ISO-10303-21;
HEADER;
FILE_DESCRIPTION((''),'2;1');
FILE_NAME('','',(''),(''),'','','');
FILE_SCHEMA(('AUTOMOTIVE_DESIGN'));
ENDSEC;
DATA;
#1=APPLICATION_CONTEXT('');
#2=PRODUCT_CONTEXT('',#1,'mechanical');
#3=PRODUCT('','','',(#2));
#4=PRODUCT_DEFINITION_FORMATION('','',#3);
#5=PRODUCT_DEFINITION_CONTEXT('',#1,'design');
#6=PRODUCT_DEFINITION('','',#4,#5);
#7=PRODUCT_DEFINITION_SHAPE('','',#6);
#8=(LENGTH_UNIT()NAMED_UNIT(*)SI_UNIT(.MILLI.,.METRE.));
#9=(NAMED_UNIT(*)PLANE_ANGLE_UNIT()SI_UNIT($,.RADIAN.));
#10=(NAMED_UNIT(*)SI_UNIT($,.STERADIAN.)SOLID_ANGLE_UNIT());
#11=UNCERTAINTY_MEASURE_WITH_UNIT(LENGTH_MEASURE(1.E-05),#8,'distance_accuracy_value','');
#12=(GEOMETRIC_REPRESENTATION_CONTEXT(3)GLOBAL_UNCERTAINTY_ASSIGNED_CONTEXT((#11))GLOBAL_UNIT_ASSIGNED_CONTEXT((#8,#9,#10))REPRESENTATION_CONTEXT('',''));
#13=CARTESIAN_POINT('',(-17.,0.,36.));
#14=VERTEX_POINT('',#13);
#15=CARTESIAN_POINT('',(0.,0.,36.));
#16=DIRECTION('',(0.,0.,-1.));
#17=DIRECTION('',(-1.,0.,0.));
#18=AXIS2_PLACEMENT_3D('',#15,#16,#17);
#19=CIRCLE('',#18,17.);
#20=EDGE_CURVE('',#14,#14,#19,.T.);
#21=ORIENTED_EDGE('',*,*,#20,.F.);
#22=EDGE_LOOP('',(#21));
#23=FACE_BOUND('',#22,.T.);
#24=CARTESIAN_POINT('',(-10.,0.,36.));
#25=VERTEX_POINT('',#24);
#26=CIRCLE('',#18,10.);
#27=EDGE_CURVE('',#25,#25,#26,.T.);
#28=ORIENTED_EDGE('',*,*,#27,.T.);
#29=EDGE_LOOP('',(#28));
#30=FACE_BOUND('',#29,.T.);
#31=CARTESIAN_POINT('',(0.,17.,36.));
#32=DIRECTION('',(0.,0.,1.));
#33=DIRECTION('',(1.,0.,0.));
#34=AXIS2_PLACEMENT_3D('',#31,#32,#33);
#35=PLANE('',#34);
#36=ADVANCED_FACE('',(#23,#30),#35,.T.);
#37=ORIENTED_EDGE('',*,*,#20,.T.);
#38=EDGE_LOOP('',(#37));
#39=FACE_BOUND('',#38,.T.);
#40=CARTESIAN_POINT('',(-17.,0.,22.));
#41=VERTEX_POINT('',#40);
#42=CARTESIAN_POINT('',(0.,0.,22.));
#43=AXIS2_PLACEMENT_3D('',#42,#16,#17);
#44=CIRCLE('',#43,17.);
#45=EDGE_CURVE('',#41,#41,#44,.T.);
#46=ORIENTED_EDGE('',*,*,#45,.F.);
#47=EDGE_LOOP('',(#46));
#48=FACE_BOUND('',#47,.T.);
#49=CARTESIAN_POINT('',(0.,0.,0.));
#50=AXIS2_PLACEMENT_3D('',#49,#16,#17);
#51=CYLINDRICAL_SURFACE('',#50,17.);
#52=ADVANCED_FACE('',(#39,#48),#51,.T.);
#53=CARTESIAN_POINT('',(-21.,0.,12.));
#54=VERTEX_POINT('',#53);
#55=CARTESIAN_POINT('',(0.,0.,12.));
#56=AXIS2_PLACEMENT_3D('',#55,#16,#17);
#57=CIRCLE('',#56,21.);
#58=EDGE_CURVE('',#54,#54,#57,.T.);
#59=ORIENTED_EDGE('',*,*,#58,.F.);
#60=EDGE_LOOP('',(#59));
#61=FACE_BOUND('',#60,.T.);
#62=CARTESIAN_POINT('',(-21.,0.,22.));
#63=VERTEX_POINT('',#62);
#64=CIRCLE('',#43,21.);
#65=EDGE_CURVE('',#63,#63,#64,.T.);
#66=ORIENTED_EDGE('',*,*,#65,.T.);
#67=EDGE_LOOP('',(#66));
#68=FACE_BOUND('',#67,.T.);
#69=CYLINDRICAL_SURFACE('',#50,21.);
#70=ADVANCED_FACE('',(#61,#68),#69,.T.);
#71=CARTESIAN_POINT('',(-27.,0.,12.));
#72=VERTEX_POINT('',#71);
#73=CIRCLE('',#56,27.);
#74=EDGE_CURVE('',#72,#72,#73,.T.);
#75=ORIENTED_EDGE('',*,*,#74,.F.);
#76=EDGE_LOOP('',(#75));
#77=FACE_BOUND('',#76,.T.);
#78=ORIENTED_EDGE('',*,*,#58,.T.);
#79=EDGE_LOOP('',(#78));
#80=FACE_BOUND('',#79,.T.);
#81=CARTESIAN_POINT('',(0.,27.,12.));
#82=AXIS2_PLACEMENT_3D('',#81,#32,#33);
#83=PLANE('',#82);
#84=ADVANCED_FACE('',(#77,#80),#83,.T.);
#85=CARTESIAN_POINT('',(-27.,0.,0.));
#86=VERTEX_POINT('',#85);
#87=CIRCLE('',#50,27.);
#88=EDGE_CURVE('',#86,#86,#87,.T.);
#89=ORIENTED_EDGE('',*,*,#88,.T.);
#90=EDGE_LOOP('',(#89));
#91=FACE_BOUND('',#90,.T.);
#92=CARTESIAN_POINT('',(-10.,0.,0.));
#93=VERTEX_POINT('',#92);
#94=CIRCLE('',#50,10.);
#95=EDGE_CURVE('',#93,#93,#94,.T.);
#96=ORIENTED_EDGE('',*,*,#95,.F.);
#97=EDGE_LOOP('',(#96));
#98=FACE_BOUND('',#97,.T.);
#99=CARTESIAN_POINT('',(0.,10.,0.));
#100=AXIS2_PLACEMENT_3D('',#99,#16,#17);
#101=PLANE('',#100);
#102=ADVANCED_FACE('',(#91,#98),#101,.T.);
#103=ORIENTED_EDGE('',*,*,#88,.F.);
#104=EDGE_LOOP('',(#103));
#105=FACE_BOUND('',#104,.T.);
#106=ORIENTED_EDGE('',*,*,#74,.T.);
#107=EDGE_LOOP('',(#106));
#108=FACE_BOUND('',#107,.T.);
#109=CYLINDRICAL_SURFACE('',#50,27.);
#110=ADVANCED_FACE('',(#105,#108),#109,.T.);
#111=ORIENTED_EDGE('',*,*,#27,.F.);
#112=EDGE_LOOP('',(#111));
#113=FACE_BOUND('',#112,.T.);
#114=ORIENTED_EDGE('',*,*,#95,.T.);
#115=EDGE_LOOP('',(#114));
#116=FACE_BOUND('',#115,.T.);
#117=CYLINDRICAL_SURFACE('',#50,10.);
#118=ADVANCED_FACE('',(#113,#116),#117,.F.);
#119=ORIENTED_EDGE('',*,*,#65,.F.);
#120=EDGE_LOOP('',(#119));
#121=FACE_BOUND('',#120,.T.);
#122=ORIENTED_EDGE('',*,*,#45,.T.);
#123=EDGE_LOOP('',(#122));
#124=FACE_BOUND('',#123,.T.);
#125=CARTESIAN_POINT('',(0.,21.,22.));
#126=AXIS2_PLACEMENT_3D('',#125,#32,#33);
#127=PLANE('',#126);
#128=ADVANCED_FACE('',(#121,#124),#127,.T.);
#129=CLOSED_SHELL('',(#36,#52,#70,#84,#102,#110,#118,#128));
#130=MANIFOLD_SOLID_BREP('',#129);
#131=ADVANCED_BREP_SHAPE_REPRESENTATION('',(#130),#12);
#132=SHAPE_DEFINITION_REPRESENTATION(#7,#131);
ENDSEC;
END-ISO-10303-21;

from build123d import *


with BuildPart() as part:
    # 草圖1 → 旋轉1 (revolve)
    with BuildSketch(Plane(origin=(0, 0, 0), x_dir=(0, 0, -1), z_dir=(1, 0, 0)), mode=Mode.PRIVATE) as revolve_1_sk:
        Polygon((0, 10), (0, 27), (-12, 27), (-12, 21), (-22, 21), (-22, 17), (-36, 17), (-36, 10), align=None)
    revolve(revolve_1_sk.sketch.rotate(Axis((0, 0, 0), (0, 0, 1)), 90), axis=Axis((0, 0, 0), (0, 0, 1)))


solid = part.part
